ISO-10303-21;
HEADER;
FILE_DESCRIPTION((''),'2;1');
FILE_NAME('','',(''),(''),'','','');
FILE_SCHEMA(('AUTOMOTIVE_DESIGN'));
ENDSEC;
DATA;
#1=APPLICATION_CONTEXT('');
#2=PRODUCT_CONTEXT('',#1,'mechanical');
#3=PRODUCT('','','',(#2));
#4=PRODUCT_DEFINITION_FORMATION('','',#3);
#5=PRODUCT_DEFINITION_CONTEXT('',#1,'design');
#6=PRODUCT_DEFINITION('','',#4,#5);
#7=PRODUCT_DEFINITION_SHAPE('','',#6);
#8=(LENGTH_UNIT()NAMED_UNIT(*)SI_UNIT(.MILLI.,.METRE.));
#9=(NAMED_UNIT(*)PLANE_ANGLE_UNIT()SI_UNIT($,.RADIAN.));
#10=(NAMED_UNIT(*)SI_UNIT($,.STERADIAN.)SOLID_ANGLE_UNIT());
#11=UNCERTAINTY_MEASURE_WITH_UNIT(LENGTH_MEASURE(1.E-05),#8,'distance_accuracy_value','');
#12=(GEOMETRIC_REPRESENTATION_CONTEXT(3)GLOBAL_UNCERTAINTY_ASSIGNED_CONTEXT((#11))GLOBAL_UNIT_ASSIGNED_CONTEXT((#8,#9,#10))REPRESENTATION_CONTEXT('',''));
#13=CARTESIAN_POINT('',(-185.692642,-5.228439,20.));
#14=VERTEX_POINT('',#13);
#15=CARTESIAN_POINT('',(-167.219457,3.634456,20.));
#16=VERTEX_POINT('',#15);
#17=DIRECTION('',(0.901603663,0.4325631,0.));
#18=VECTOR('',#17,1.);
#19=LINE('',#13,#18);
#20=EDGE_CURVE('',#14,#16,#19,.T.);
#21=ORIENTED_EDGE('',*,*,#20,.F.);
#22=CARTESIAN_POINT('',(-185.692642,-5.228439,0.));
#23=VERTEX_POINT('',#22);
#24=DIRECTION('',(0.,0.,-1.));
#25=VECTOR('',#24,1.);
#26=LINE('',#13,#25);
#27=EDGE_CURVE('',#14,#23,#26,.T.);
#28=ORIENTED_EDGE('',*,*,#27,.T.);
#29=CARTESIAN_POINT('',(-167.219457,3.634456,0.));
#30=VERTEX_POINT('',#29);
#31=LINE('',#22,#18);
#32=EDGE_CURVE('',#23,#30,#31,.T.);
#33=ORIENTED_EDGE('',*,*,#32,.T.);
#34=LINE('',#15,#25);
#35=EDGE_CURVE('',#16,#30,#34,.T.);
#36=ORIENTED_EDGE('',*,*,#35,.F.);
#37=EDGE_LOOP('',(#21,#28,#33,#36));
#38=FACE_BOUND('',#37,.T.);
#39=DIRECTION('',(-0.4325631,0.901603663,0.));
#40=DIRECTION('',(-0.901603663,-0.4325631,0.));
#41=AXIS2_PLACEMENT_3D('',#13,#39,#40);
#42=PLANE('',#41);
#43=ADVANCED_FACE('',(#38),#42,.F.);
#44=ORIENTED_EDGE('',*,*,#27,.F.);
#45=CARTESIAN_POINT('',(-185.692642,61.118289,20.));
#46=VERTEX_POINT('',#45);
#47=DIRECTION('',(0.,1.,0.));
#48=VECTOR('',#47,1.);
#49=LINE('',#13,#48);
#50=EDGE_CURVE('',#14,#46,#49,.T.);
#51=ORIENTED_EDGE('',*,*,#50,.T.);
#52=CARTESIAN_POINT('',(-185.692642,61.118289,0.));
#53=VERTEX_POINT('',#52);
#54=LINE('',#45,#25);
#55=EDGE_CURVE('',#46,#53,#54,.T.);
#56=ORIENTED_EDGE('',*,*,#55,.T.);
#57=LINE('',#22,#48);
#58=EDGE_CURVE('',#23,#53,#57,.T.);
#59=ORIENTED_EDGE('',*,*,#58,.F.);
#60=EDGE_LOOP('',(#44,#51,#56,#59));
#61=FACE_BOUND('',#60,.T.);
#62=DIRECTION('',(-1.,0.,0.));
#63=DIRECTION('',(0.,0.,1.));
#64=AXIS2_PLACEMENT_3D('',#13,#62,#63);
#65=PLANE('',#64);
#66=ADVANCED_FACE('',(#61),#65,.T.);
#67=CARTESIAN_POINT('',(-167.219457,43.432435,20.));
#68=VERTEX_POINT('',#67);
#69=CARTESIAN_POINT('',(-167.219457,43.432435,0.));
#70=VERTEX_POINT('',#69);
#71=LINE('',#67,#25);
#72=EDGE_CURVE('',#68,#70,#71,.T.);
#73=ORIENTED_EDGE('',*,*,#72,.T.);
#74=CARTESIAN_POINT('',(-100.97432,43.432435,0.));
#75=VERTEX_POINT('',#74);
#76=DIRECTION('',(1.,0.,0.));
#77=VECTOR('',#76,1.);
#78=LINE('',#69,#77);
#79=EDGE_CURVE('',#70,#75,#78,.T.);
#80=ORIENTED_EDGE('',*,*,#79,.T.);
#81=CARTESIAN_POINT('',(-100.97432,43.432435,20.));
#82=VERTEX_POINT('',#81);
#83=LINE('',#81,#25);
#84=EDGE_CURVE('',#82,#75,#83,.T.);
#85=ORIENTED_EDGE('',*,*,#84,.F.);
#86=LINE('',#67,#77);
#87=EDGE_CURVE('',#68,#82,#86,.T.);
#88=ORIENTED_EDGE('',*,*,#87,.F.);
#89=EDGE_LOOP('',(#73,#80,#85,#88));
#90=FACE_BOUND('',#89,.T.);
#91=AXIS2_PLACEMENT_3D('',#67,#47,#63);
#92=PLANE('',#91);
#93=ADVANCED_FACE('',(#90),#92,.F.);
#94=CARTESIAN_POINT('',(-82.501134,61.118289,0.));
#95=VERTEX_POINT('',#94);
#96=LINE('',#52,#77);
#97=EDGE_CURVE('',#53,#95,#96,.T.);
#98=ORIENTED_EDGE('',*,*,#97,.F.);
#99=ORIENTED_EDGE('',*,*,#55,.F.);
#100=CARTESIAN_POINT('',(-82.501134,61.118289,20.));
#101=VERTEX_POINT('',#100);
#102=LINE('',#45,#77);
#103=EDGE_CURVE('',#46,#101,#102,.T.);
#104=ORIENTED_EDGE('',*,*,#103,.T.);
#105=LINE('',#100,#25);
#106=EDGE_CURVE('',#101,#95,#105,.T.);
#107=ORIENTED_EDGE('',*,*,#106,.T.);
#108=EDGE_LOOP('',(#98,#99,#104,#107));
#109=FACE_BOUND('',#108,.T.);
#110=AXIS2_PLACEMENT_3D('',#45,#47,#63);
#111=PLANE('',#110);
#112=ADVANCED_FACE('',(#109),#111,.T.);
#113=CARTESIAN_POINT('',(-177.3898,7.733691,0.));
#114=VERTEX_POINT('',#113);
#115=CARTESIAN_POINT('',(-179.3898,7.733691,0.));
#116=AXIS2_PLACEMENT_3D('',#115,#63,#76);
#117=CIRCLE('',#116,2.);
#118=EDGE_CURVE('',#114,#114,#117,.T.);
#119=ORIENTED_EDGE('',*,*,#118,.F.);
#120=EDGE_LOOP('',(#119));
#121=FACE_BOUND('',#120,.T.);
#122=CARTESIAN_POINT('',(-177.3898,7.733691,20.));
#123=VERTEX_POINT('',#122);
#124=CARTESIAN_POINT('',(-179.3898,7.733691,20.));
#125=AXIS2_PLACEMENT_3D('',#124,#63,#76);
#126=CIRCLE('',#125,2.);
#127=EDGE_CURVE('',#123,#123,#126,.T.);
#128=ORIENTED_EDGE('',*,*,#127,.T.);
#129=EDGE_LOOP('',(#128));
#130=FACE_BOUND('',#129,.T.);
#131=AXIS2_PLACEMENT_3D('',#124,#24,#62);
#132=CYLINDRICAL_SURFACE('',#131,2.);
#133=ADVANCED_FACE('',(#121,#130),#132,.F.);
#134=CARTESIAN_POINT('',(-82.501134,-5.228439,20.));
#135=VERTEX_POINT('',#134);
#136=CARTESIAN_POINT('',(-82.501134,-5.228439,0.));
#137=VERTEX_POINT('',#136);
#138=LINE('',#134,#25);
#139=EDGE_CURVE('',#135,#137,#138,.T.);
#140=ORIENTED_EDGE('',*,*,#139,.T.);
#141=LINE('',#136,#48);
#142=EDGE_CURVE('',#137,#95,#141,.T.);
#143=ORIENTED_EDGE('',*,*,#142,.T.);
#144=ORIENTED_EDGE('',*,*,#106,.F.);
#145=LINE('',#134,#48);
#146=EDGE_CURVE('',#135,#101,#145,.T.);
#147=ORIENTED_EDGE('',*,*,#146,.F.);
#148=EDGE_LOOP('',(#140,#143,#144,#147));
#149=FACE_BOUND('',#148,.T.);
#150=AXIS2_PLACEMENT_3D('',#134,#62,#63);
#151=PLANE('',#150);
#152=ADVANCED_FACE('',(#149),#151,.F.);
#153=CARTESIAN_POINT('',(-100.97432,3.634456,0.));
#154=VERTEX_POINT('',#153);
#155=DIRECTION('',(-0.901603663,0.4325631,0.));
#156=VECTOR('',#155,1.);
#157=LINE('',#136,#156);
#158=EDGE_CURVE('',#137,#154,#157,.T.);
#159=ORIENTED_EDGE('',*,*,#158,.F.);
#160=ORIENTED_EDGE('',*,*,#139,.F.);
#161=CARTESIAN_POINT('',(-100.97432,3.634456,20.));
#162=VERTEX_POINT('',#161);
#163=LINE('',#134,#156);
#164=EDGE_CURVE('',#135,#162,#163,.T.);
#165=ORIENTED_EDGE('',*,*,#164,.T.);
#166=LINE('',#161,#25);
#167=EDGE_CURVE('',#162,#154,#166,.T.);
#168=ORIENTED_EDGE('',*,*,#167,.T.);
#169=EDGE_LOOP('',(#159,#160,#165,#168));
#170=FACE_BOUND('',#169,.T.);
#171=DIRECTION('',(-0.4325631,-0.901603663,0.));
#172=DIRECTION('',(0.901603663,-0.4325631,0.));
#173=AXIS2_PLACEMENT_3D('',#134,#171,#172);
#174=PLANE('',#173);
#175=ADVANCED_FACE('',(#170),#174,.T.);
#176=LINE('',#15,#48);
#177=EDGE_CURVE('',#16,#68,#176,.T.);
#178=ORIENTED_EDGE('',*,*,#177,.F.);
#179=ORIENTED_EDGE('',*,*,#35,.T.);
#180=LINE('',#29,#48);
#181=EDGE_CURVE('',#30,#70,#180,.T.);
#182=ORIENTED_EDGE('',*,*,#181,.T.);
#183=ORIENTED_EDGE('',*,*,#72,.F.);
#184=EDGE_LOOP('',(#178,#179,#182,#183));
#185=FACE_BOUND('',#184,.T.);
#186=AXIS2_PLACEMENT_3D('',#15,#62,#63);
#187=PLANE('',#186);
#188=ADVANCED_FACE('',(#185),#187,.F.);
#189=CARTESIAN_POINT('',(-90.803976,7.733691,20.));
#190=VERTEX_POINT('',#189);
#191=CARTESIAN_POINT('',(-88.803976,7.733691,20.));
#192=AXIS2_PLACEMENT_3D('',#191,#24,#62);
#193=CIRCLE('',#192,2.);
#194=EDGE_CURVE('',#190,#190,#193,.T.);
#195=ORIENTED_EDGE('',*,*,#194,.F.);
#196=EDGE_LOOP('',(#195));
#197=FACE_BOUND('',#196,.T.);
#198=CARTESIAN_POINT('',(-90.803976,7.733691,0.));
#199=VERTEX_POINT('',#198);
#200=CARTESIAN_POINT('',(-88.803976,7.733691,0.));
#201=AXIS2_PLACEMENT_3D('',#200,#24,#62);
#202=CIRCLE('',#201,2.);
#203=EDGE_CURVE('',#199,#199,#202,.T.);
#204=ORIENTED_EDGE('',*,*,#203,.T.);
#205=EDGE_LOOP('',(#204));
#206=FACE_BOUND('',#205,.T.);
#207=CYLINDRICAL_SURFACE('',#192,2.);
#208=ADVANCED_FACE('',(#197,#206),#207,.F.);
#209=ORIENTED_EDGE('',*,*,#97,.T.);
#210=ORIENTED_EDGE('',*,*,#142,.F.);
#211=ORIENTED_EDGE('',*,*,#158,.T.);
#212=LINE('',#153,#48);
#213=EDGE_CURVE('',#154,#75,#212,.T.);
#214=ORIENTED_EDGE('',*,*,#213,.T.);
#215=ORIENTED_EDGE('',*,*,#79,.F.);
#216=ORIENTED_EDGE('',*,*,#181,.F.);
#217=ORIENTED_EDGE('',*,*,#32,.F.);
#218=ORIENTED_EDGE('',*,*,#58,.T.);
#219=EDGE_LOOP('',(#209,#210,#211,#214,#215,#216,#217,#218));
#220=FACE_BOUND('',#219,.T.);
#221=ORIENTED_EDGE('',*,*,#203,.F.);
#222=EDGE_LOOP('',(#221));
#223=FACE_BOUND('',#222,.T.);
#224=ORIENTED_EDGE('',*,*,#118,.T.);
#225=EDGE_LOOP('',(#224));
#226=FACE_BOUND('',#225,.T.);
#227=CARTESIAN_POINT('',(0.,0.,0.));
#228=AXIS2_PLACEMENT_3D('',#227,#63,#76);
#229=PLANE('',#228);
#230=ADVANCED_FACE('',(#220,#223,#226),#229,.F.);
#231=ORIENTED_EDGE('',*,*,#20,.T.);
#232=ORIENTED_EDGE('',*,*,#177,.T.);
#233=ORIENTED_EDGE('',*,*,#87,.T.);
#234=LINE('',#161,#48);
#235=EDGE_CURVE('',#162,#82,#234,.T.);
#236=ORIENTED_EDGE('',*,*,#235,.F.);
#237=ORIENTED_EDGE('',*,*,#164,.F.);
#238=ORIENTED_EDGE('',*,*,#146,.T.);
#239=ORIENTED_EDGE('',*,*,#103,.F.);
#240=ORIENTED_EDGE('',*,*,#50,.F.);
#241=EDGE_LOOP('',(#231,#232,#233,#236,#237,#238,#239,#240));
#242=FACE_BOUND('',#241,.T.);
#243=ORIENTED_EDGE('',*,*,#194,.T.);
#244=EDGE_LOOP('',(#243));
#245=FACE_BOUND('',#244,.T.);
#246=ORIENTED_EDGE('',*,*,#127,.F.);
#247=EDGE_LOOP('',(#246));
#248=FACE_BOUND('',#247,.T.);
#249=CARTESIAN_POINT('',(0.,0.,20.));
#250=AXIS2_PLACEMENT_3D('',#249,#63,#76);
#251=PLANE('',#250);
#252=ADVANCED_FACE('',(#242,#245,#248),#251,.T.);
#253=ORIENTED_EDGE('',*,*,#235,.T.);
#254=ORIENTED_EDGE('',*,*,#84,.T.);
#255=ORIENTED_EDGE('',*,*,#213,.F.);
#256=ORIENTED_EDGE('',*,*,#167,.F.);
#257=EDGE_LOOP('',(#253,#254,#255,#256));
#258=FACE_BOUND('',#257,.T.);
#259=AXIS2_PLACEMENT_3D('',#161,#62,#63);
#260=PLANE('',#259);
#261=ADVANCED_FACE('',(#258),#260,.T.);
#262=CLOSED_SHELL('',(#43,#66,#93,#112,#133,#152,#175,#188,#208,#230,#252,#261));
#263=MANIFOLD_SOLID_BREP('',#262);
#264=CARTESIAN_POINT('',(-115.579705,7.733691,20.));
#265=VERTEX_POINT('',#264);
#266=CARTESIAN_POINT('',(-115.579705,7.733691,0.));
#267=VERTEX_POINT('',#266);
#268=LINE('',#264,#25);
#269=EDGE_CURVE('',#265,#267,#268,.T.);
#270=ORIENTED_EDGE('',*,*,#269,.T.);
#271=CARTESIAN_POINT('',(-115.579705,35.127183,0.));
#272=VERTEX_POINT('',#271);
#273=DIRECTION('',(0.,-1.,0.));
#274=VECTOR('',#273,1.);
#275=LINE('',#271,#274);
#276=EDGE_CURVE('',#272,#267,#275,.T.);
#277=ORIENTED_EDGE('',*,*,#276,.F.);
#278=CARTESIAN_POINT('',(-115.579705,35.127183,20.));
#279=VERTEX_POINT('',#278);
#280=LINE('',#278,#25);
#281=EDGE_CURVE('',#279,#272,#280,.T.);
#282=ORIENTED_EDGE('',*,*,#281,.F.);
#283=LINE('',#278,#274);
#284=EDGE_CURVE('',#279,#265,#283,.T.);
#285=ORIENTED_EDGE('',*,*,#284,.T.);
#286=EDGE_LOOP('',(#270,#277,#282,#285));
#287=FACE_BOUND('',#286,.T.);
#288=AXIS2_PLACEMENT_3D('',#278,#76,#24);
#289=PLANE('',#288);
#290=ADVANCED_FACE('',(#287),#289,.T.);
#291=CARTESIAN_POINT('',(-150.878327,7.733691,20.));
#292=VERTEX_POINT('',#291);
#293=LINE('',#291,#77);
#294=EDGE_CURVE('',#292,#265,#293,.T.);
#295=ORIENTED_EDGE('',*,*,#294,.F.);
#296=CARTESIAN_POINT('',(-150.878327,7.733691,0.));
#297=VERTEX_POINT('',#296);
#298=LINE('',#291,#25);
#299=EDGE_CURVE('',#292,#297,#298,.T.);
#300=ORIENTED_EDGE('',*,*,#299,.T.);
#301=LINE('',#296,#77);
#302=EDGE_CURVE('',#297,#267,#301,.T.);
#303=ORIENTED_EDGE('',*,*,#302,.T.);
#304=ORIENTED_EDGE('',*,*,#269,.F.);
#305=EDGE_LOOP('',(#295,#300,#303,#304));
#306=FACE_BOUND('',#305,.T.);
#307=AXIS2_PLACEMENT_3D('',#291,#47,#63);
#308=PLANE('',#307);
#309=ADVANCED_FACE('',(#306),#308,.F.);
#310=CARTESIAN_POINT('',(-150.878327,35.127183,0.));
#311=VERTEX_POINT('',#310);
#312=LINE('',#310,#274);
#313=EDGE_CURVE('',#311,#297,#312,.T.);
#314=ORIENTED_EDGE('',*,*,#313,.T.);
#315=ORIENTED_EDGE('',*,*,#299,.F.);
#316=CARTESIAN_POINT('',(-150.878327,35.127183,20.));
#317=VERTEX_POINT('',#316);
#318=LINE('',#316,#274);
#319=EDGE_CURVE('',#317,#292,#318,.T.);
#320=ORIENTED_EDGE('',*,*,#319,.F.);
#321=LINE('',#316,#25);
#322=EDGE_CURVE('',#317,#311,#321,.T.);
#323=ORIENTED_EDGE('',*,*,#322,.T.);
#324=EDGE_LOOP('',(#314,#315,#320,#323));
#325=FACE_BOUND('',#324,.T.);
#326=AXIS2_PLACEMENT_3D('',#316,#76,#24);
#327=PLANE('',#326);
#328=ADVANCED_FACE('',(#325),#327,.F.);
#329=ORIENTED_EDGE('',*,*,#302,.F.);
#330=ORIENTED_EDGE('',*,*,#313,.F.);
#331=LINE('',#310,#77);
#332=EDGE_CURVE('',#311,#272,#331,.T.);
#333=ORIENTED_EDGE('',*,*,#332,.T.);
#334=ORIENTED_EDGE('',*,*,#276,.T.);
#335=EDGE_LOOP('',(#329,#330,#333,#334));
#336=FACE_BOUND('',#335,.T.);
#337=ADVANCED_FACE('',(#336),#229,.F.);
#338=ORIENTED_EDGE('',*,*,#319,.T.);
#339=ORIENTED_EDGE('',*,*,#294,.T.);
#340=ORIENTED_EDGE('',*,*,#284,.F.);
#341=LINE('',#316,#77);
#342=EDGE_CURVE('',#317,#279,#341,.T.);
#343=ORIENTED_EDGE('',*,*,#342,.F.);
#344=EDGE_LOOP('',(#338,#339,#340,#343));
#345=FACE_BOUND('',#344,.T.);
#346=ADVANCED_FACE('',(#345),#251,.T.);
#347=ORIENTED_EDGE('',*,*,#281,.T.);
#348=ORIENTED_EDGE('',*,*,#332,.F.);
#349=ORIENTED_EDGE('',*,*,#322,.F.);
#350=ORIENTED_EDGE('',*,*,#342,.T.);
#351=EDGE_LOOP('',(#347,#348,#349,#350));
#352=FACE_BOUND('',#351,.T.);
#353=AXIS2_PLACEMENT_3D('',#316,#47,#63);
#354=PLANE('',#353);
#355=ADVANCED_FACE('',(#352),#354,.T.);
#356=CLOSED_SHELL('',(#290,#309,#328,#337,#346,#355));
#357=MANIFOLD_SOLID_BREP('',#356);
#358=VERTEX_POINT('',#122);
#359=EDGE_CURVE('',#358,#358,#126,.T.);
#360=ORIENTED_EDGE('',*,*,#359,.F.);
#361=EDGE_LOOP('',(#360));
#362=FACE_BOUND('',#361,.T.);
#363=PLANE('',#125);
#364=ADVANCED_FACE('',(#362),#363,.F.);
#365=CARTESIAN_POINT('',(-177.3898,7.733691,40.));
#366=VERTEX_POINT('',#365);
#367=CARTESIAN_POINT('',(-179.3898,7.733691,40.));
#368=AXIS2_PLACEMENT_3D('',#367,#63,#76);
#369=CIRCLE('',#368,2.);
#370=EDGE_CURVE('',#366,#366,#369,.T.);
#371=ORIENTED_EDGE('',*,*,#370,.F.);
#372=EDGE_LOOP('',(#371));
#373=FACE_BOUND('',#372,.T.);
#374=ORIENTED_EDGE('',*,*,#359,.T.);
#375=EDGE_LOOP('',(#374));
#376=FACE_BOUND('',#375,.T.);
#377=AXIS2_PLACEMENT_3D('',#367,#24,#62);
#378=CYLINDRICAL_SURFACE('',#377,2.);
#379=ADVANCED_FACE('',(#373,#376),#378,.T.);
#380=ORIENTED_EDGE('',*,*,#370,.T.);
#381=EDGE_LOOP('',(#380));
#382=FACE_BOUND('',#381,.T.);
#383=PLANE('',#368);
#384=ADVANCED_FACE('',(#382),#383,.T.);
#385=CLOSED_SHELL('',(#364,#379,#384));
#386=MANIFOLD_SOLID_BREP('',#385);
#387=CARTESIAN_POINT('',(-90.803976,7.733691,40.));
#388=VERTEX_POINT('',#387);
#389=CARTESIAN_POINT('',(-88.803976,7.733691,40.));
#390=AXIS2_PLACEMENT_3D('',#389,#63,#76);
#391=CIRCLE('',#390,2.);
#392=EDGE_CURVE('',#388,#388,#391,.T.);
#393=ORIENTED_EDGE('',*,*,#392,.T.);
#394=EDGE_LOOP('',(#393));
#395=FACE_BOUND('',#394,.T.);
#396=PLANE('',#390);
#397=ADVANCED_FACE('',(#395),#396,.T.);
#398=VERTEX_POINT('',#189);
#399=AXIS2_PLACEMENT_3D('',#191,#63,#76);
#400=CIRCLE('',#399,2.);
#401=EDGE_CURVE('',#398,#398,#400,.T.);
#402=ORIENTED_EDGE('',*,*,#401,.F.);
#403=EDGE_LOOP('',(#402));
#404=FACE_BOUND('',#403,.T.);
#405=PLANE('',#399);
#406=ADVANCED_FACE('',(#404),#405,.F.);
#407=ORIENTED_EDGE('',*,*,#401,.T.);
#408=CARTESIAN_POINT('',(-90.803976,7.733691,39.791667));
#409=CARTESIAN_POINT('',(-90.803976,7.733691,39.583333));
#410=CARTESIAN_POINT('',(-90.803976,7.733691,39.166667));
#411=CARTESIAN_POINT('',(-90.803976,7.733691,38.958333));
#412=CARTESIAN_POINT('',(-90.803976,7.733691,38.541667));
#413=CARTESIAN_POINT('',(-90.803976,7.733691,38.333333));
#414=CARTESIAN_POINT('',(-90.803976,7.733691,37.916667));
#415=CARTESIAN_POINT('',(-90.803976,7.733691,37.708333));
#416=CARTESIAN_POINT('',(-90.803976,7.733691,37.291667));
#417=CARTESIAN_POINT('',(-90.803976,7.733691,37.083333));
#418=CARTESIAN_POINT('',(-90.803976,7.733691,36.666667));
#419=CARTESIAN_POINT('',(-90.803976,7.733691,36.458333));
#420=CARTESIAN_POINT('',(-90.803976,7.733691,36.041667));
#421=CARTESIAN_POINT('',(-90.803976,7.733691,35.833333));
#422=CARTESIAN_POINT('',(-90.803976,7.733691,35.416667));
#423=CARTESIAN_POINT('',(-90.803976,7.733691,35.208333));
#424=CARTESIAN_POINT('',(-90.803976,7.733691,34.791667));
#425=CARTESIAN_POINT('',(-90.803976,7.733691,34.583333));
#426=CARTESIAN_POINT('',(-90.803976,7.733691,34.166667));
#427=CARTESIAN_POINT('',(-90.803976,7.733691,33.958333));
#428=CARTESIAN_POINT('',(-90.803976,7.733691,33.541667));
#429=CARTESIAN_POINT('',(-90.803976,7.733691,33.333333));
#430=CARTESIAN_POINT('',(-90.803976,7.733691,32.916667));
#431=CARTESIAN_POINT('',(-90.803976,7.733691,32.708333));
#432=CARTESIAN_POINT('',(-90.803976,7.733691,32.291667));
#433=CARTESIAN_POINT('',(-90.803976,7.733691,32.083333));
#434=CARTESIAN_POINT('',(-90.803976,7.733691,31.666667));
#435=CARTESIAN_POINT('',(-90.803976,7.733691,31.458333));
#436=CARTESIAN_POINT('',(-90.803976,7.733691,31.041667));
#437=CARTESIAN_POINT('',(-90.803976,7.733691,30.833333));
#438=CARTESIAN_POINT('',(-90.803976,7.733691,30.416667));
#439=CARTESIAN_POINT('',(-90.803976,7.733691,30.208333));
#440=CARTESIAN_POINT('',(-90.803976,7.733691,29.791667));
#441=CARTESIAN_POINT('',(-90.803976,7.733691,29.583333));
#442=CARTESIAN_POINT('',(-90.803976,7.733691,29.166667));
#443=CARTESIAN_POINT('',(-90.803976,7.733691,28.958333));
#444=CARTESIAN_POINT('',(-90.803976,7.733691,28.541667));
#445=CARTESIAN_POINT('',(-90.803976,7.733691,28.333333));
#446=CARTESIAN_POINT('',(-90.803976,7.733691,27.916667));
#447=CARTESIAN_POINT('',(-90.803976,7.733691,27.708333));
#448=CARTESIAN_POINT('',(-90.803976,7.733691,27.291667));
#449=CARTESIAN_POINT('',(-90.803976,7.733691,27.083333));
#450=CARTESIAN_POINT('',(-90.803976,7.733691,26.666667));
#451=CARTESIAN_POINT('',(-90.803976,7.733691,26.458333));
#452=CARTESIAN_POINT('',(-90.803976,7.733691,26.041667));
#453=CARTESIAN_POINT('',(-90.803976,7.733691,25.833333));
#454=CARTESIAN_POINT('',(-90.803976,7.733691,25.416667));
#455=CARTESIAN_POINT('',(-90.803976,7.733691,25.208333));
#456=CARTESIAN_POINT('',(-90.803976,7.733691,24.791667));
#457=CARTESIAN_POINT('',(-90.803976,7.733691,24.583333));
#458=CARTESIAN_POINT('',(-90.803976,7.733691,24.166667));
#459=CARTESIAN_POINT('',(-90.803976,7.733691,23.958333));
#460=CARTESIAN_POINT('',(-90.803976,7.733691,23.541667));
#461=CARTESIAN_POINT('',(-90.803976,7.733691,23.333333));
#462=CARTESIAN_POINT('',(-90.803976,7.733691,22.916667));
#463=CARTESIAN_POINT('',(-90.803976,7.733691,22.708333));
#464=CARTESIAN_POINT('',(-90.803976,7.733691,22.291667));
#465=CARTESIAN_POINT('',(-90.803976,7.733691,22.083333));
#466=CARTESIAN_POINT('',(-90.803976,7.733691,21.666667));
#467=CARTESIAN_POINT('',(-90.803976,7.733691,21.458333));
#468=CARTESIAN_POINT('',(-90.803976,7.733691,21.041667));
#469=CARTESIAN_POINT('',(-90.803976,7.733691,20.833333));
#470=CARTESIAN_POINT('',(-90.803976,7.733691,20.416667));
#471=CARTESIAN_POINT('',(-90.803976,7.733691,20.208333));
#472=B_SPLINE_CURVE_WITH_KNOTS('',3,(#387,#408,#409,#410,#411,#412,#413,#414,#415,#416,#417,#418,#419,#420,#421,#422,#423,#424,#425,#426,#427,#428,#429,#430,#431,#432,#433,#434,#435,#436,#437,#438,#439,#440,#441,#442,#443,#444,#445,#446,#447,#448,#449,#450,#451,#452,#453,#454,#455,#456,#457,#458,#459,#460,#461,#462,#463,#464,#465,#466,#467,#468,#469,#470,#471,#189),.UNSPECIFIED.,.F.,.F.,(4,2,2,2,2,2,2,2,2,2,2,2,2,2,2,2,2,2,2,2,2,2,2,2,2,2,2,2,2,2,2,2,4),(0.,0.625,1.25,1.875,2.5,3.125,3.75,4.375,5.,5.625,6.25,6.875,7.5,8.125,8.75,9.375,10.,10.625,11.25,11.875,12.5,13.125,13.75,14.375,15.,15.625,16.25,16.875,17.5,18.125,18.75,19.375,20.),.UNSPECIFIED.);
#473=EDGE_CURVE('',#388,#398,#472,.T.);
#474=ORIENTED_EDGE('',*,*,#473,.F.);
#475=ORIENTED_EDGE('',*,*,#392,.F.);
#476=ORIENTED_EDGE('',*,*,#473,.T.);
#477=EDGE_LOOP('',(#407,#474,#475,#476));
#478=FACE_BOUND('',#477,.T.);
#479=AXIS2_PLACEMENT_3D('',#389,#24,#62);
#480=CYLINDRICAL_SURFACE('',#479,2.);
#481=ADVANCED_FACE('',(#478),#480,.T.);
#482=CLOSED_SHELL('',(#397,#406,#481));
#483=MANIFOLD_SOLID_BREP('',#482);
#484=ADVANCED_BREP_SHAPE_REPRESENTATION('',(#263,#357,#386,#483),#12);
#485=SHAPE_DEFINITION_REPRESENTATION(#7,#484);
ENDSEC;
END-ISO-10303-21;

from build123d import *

# Parameters (mm, degrees)
SKETCH2_R            = 2
BOSS_EXTRUDE10_DEPTH = 20
SKETCH7_R            = 2
BOSS_EXTRUDE11_DEPTH = 20
SKETCH8_R            = 2
BOSS_EXTRUDE12_DEPTH = 20
SKETCH2_14_W         = 35.298621591
SKETCH2_14_H         = 27.393492294
BOSS_EXTRUDE13_DEPTH = 20


with BuildPart() as part:
    # Sketch2 → Boss-Extrude10 (new body)
    with BuildSketch(Plane.XY):
        Polygon((-185.692642178, -5.228439236), (-185.692642178, 61.118289384), (-82.501134399, 61.118289384), (-82.501134399, -5.228439236), (-100.974320011, 3.634455591), (-100.974320011, 43.432435389), (-167.219456565, 43.432435389), (-167.219456565, 3.634455591), align=None)
        with Locations((-179.389800335, 7.733691034)):
            Circle(SKETCH2_R, mode=Mode.SUBTRACT)
        with Locations((-88.803976242, 7.733691034)):
            Circle(SKETCH2_R, mode=Mode.SUBTRACT)
    extrude(amount=BOSS_EXTRUDE10_DEPTH)


with BuildPart() as body_2:
    # Sketch7 → Boss-Extrude11 (new body)
    with BuildSketch(Plane.XY.offset(20)):
        with Locations((-179.389800335, 7.733691034)):
            Circle(SKETCH7_R)
    extrude(amount=BOSS_EXTRUDE11_DEPTH)


with BuildPart() as body_3:
    # Sketch8 → Boss-Extrude12 (new body)
    with BuildSketch(Plane.XY.offset(20)):
        with Locations((-88.803976242, 7.733691034)):
            Circle(SKETCH8_R)
    extrude(amount=BOSS_EXTRUDE12_DEPTH)


with BuildPart() as body_4:
    # Sketch2<14> → Boss-Extrude13 (new body)
    with BuildSketch(Plane.XY):
        with Locations((-133.229015837, 21.430437181)):
            Rectangle(SKETCH2_14_W, SKETCH2_14_H)
    extrude(amount=BOSS_EXTRUDE13_DEPTH)


solid = Compound([part.part, body_2.part, body_3.part, body_4.part])
